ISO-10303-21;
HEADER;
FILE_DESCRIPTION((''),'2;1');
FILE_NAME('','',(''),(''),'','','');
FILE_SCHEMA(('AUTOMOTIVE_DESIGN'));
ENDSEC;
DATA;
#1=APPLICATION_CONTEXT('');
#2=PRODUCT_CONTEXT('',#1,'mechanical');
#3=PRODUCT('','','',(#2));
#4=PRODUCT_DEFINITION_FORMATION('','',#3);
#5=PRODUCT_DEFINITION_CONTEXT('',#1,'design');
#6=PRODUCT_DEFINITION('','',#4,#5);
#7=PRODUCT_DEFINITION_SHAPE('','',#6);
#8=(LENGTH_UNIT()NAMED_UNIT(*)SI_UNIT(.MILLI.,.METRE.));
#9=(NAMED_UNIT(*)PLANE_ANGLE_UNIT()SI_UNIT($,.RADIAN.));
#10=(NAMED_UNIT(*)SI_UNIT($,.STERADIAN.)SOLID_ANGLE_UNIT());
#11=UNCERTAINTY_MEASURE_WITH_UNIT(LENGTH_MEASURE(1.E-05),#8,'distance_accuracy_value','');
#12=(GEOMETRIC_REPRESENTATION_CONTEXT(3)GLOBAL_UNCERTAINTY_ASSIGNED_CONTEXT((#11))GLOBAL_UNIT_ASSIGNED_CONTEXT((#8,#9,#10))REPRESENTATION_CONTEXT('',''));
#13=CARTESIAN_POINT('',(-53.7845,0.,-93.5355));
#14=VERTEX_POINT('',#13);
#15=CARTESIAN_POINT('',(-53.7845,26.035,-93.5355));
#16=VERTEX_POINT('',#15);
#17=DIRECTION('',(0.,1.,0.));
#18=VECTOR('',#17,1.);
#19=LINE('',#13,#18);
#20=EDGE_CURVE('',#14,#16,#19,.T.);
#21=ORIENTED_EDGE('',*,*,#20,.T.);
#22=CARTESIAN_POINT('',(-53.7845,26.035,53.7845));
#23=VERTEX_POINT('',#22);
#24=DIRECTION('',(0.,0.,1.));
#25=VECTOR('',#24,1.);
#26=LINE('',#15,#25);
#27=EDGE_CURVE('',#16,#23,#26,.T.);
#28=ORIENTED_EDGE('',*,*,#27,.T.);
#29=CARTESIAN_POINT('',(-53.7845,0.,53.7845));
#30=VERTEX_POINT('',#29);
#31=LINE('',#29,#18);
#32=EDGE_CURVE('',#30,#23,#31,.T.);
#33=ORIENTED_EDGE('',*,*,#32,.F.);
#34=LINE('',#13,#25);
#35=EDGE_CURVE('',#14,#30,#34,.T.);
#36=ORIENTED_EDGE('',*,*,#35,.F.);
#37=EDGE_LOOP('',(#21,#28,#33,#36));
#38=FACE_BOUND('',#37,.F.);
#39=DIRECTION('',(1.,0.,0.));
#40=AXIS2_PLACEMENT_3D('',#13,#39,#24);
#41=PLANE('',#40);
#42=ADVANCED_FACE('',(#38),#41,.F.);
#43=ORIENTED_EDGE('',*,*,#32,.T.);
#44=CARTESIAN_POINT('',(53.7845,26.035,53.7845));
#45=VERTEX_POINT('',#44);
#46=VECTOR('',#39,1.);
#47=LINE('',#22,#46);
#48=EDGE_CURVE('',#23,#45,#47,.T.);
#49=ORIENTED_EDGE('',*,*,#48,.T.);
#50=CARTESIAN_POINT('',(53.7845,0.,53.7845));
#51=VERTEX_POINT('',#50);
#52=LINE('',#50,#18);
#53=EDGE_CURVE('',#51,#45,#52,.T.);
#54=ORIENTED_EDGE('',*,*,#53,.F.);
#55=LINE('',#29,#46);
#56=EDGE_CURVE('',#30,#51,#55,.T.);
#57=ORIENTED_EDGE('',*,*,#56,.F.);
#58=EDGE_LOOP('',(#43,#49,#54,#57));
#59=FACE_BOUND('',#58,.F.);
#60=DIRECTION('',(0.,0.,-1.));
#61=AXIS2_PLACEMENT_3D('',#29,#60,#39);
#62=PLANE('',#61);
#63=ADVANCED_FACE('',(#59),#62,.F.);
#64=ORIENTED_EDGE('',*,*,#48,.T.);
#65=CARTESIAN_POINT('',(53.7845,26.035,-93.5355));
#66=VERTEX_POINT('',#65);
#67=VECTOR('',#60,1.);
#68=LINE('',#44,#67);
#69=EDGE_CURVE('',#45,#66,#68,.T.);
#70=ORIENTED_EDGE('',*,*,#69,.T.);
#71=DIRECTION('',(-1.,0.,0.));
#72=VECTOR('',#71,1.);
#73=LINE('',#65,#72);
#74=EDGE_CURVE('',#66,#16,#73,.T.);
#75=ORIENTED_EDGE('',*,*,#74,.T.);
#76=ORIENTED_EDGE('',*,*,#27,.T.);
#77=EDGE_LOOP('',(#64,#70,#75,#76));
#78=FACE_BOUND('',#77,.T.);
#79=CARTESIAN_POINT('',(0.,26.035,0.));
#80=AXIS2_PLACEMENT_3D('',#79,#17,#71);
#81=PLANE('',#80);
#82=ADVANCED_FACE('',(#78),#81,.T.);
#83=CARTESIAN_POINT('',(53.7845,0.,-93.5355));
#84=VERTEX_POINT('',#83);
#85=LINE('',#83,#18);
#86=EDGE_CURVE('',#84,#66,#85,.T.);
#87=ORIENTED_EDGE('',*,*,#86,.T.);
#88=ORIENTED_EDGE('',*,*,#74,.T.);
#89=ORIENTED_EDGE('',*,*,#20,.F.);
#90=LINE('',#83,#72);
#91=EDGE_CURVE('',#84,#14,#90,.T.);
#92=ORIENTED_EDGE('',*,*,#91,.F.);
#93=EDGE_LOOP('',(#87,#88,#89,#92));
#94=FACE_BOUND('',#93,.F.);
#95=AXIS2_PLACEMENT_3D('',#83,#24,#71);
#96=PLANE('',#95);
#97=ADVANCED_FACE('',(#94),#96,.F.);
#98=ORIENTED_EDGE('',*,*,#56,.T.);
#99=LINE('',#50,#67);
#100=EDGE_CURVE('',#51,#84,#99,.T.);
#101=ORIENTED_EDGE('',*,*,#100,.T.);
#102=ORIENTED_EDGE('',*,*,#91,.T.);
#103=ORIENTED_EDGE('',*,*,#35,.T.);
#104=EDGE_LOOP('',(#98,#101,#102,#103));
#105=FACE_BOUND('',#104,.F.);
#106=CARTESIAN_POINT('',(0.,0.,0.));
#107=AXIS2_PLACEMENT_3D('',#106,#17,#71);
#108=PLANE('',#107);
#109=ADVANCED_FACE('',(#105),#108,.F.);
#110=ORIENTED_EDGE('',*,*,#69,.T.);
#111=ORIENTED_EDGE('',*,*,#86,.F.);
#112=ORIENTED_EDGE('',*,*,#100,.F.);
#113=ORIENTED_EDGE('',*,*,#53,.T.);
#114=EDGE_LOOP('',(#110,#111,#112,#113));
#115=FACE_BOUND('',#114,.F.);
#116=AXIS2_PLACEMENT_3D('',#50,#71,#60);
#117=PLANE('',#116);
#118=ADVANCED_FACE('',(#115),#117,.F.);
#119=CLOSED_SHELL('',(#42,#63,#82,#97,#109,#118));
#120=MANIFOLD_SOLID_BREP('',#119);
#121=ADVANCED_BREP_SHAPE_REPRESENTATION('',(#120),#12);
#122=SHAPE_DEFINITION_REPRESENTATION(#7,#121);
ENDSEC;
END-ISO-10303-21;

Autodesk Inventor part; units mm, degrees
ref_plane "YZ Plane" through (0, 0, 0) normal (1, 0, 0) x (0, 1, 0)
ref_plane "XZ Plane" through (0, 0, 0) normal (0, 1, 0) x (-1, 0, 0)
ref_plane "XY Plane" through (0, 0, 0) normal (0, 0, 1) x (1, 0, 0)
sketch "Sketch1" plane through (0, 0, 0) normal (0, 1, 0) x (-1, 0, 0)
  line L0 (53.7845, 53.7845) -> (-53.7845, 53.7845)
  line L1 (-53.7845, 53.7845) -> (-53.7845, -93.5355)
  line L2 (-53.7845, -93.5355) -> (53.7845, -93.5355)
  line L3 (53.7845, -93.5355) -> (53.7845, 53.7845)
  point P0 (0, 0)
  dimension "d0" = 107.569
  dimension "d1" = 147.32
extrude "Extrusion1" add sketch "Sketch1" along normal blind 26.035
properties part number "outer_heatsink"
